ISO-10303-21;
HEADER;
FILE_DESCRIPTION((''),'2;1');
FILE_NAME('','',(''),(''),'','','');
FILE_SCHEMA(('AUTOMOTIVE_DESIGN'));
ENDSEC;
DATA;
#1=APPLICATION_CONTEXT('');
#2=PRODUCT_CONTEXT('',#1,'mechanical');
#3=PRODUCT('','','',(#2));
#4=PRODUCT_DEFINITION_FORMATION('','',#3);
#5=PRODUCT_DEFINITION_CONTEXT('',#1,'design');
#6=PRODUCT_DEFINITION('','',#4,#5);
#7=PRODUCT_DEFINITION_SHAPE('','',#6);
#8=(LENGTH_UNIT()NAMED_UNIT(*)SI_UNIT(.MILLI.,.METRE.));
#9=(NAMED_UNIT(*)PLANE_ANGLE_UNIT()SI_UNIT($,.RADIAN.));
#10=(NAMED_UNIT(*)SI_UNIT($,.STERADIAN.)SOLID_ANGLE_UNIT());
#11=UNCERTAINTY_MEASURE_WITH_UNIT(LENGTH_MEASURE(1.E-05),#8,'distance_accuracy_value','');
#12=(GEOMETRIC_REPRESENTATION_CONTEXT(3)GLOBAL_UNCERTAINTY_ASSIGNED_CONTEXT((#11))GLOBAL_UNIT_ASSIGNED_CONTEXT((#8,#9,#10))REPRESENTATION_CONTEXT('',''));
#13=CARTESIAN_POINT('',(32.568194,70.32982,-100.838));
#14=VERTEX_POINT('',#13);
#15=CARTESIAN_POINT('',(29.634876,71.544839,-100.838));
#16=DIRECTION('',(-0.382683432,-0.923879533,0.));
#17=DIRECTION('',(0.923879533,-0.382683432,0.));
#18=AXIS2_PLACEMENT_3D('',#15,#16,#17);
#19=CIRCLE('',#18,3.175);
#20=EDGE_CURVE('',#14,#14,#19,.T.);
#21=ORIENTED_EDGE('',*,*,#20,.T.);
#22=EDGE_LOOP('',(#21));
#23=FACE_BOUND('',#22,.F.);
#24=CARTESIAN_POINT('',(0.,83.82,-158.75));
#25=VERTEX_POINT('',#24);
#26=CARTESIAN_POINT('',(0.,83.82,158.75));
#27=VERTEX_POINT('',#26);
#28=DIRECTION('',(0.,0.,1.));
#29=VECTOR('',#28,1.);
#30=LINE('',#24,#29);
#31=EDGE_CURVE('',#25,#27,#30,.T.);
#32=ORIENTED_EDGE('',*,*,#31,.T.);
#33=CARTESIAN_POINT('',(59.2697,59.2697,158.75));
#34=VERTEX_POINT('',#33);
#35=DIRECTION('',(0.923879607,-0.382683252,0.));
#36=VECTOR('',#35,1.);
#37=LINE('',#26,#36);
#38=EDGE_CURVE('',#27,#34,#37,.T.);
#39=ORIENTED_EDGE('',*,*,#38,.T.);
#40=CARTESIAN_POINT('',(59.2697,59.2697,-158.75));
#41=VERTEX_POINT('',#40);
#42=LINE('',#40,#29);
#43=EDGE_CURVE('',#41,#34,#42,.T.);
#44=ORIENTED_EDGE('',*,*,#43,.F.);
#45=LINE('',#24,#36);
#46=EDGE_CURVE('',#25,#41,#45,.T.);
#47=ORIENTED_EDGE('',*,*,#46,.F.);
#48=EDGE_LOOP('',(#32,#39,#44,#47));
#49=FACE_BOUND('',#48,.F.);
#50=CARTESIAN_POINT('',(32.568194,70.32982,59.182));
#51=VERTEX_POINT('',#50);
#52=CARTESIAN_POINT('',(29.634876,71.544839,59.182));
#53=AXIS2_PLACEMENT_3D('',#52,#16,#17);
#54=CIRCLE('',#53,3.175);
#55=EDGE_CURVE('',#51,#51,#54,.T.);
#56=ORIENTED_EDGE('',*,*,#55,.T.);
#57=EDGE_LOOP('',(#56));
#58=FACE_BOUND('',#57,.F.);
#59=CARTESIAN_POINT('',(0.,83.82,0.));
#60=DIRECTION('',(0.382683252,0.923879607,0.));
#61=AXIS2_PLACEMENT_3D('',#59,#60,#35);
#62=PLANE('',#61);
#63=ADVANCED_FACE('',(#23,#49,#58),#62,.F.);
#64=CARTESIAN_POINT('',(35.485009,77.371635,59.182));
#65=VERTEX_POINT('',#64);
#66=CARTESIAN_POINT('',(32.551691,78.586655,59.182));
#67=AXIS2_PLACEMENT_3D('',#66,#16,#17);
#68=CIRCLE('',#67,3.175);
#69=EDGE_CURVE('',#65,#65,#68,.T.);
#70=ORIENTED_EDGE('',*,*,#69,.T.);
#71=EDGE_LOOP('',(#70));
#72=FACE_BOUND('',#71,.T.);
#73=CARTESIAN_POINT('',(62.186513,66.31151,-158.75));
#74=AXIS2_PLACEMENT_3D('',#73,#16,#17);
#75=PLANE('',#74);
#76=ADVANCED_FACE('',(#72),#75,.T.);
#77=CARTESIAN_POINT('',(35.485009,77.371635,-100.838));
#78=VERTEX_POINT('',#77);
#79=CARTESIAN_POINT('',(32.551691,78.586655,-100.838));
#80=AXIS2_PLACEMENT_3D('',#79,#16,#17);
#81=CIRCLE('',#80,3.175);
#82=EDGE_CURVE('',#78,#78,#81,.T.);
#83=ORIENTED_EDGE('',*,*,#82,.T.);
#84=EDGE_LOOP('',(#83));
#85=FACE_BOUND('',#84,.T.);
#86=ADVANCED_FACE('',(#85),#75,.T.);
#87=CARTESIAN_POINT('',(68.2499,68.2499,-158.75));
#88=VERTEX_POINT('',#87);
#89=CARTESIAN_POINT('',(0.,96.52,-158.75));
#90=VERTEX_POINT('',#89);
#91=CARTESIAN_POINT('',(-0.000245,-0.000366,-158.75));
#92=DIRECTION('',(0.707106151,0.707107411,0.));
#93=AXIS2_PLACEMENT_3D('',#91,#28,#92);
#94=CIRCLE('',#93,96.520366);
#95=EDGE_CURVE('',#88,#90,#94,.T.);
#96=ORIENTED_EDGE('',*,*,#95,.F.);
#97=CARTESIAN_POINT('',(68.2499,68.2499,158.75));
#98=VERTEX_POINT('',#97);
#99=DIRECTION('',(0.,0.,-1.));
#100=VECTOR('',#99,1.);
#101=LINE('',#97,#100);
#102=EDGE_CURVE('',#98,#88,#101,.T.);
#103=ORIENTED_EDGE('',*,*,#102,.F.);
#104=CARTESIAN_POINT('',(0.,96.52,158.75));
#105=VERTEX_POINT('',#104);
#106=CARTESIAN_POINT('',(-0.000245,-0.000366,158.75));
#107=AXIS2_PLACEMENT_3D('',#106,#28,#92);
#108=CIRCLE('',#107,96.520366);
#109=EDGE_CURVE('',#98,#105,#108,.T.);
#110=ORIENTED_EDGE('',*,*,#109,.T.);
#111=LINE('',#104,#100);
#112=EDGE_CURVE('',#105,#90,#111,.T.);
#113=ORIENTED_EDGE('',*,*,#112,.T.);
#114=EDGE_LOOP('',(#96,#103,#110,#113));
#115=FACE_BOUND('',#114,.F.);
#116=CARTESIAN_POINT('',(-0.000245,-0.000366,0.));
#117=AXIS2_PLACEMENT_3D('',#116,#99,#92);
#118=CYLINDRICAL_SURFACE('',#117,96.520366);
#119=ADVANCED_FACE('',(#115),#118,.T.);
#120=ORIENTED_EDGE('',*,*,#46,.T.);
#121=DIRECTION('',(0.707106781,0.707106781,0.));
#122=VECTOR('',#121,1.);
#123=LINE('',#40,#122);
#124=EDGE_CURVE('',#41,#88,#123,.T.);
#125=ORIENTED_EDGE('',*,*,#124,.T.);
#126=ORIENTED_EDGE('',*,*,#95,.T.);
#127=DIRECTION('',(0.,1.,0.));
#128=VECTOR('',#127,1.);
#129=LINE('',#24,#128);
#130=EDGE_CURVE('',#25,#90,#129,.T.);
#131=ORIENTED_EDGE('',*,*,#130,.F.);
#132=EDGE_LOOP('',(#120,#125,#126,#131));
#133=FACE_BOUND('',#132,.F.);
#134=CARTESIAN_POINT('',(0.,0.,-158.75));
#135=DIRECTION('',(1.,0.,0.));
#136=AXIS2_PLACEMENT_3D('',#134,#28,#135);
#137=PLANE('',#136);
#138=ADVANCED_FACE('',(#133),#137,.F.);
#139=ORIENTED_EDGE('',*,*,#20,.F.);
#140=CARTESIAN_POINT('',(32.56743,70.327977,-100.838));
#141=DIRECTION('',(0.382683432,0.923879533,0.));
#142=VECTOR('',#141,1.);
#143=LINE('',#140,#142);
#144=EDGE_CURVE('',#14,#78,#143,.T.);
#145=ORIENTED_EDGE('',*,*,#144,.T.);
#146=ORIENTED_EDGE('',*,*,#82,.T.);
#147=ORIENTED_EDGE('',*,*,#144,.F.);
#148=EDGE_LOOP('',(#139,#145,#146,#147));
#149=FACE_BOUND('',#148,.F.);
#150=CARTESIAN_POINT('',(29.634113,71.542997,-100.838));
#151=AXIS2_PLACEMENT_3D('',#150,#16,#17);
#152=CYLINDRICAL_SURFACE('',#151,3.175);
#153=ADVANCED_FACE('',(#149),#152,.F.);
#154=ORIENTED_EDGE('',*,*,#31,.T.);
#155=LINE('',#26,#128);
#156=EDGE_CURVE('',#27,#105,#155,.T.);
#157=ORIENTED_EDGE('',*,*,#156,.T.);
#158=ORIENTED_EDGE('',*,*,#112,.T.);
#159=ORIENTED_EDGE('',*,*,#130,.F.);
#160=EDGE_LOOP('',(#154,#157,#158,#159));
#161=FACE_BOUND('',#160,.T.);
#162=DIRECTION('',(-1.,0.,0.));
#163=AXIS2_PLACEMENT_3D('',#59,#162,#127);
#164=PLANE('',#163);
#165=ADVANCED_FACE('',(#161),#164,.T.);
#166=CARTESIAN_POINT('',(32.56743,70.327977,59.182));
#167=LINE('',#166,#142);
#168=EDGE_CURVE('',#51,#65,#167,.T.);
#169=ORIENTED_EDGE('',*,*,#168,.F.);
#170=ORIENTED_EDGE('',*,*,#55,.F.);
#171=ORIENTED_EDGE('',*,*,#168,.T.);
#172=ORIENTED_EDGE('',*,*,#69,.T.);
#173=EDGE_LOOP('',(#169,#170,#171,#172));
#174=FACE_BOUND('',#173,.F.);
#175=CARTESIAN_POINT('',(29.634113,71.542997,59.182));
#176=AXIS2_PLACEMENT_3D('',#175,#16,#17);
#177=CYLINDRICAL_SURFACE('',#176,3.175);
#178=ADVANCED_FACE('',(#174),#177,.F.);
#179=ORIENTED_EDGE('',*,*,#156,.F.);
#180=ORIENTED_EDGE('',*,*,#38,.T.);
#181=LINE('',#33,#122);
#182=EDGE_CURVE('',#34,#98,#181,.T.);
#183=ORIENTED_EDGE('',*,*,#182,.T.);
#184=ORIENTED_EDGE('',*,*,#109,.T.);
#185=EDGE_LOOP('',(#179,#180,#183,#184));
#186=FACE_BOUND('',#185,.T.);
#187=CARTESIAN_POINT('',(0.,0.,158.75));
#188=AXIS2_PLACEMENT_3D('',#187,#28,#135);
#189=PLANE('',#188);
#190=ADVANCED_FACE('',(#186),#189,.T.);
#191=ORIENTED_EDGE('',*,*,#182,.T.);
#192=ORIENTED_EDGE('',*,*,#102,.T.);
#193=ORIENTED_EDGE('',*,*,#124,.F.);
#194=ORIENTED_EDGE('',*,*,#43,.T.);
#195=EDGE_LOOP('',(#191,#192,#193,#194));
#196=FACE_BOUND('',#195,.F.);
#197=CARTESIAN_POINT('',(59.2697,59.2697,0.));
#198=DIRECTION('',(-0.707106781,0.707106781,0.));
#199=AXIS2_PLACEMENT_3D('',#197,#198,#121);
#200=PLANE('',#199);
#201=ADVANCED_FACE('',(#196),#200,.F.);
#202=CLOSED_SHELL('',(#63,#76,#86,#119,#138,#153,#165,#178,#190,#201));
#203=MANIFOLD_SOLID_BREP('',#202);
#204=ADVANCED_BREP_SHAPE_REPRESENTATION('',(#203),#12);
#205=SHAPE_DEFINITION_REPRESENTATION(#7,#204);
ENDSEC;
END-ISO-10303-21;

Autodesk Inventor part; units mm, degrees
ref_plane "YZ Plane" through (0, 0, 0) normal (1, 0, 0) x (0, 1, 0)
ref_plane "XZ Plane" through (0, 0, 0) normal (0, 1, 0) x (-1, 0, 0)
ref_plane "XY Plane" through (0, 0, 0) normal (0, 0, 1) x (1, 0, 0)
sketch "Sketch1" plane through (0, 0, 0) normal (0, 0, 1) x (1, 0, 0)
  line L0 (0, 0) -> (96.52, 0) construction
  line L1 (0, 83.82) -> (0, 96.52)
  line L2 (59.2697, 59.2697) -> (68.2499, 68.2499)
  line L3 (68.2499, 68.2499) -> (59.2697, 59.2697)
  line L4 (0, 83.82) -> (59.2697, 59.2697)
  arc A0 (68.2499, 68.2499) -> (0, 96.52) centre (0, 0) ccw
extrude "Extrusion1" add sketch "Sketch1" along normal mid plane 317.5
sketch "Sketch2" plane through (59.2697, 59.2697, -158.75) normal (-0.3827, -0.9239, 0) x (0.9239, -0.3827, 0)
  circle A0 centre (-32.0765, 57.912) radius 3.175
  line L0 (0, 0) -> (-64.1531, 0) projected
  circle A1 centre (-32.0765, 217.932) radius 3.175
  point P0 (-32.0765, 158.75)
  dimension "d5" = 6.35
  dimension "d6" = 57.912
  dimension "d7" = 6.35
  dimension "d8" = 160.02
extrude "Extrusion2" cut sketch "Sketch2" against normal blind 7.62
properties part number "Foot2"
